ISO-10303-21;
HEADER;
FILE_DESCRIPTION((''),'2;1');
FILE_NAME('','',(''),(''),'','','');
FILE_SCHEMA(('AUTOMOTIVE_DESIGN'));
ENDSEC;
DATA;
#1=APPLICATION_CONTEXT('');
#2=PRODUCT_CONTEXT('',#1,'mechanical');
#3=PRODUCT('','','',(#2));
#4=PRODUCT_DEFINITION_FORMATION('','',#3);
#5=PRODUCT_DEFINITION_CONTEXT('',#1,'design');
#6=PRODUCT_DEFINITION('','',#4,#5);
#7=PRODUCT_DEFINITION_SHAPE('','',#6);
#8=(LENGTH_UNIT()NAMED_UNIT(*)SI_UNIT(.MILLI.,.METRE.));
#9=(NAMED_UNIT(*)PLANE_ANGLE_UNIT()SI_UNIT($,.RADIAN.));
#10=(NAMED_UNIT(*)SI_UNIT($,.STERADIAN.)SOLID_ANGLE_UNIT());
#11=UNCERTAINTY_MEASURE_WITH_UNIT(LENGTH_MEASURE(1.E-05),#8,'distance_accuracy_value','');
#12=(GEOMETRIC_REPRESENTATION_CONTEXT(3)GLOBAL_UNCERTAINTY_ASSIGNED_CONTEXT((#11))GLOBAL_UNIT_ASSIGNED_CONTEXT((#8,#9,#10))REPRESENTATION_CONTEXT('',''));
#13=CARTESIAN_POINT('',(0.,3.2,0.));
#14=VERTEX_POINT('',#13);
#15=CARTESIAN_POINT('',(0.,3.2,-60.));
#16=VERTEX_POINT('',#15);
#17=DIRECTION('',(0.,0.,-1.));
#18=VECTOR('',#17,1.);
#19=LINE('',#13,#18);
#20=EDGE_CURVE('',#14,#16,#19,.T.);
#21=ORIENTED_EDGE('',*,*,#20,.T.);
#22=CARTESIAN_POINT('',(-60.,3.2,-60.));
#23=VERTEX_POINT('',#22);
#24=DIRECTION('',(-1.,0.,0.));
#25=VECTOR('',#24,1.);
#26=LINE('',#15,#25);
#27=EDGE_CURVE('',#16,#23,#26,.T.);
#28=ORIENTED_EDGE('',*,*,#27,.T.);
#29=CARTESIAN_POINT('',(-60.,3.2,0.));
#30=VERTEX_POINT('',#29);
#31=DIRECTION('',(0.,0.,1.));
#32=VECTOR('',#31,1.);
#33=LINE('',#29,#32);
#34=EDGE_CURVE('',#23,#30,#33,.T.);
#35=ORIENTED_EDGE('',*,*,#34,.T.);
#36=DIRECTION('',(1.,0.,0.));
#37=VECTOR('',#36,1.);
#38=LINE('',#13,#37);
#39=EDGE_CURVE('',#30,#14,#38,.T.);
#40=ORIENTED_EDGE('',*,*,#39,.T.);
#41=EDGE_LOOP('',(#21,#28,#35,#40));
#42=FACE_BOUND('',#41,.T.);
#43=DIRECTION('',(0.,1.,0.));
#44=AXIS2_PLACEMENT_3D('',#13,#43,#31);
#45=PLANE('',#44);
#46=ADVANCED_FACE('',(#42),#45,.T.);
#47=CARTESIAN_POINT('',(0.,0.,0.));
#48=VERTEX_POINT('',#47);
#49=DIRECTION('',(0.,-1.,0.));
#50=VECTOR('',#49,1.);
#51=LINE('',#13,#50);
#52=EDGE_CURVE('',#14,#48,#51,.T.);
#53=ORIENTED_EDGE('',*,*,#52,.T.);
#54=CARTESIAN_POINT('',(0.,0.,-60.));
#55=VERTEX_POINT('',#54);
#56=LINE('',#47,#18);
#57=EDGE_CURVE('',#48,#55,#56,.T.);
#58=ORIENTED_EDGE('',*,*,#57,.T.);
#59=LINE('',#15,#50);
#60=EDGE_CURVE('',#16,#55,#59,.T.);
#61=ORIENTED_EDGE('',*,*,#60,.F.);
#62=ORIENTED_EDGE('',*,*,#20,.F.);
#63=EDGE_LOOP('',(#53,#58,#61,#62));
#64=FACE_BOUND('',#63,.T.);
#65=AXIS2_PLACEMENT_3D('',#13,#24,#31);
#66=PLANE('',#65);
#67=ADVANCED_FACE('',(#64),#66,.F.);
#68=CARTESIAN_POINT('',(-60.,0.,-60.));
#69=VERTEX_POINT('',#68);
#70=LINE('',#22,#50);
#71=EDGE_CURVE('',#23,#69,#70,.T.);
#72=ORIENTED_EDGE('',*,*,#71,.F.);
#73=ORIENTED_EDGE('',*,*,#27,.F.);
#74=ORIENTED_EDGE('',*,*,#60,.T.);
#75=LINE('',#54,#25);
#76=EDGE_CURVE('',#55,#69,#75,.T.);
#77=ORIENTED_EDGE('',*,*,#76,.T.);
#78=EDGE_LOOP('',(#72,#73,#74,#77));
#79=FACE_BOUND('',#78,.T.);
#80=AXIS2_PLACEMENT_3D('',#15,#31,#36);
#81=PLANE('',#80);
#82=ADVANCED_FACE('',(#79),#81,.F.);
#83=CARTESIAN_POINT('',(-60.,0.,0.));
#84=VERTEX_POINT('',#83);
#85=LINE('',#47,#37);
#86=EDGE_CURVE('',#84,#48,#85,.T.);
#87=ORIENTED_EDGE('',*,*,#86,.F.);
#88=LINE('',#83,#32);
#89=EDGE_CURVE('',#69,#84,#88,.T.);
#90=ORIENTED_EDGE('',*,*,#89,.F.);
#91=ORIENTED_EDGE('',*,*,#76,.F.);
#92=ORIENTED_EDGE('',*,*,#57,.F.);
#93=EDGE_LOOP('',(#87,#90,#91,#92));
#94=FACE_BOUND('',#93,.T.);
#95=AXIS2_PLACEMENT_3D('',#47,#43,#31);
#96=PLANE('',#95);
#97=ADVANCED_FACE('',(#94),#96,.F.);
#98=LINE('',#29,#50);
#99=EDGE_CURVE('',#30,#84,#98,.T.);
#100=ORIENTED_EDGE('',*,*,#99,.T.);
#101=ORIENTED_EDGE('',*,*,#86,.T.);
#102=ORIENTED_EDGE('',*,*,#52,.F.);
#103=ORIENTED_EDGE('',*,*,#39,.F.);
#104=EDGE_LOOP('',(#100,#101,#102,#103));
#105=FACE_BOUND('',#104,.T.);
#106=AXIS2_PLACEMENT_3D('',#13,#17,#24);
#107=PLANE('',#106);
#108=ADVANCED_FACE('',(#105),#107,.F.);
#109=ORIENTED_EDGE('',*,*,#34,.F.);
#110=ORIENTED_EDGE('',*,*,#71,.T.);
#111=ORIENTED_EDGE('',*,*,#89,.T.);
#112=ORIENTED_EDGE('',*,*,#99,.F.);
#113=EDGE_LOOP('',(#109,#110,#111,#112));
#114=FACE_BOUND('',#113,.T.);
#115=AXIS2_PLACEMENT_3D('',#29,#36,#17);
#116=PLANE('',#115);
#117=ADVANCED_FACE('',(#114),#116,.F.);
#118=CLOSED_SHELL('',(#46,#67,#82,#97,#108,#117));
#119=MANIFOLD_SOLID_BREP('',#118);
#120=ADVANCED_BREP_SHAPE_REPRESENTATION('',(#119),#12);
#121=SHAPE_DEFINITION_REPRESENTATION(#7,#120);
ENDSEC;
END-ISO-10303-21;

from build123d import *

# Parameters (mm, degrees)
SKETCH1_W = 60
SKETCH1_H = 60
TOP_DEPTH = 3.2


with BuildPart() as part:
    # Sketch1 → Top (new body)
    with BuildSketch(Plane(origin=(0, 0, 0), x_dir=(1, 0, 0), z_dir=(0, 1, 0))):
        with Locations((-30, 30)):
            Rectangle(SKETCH1_W, SKETCH1_H)
    extrude(amount=TOP_DEPTH)


solid = part.part
